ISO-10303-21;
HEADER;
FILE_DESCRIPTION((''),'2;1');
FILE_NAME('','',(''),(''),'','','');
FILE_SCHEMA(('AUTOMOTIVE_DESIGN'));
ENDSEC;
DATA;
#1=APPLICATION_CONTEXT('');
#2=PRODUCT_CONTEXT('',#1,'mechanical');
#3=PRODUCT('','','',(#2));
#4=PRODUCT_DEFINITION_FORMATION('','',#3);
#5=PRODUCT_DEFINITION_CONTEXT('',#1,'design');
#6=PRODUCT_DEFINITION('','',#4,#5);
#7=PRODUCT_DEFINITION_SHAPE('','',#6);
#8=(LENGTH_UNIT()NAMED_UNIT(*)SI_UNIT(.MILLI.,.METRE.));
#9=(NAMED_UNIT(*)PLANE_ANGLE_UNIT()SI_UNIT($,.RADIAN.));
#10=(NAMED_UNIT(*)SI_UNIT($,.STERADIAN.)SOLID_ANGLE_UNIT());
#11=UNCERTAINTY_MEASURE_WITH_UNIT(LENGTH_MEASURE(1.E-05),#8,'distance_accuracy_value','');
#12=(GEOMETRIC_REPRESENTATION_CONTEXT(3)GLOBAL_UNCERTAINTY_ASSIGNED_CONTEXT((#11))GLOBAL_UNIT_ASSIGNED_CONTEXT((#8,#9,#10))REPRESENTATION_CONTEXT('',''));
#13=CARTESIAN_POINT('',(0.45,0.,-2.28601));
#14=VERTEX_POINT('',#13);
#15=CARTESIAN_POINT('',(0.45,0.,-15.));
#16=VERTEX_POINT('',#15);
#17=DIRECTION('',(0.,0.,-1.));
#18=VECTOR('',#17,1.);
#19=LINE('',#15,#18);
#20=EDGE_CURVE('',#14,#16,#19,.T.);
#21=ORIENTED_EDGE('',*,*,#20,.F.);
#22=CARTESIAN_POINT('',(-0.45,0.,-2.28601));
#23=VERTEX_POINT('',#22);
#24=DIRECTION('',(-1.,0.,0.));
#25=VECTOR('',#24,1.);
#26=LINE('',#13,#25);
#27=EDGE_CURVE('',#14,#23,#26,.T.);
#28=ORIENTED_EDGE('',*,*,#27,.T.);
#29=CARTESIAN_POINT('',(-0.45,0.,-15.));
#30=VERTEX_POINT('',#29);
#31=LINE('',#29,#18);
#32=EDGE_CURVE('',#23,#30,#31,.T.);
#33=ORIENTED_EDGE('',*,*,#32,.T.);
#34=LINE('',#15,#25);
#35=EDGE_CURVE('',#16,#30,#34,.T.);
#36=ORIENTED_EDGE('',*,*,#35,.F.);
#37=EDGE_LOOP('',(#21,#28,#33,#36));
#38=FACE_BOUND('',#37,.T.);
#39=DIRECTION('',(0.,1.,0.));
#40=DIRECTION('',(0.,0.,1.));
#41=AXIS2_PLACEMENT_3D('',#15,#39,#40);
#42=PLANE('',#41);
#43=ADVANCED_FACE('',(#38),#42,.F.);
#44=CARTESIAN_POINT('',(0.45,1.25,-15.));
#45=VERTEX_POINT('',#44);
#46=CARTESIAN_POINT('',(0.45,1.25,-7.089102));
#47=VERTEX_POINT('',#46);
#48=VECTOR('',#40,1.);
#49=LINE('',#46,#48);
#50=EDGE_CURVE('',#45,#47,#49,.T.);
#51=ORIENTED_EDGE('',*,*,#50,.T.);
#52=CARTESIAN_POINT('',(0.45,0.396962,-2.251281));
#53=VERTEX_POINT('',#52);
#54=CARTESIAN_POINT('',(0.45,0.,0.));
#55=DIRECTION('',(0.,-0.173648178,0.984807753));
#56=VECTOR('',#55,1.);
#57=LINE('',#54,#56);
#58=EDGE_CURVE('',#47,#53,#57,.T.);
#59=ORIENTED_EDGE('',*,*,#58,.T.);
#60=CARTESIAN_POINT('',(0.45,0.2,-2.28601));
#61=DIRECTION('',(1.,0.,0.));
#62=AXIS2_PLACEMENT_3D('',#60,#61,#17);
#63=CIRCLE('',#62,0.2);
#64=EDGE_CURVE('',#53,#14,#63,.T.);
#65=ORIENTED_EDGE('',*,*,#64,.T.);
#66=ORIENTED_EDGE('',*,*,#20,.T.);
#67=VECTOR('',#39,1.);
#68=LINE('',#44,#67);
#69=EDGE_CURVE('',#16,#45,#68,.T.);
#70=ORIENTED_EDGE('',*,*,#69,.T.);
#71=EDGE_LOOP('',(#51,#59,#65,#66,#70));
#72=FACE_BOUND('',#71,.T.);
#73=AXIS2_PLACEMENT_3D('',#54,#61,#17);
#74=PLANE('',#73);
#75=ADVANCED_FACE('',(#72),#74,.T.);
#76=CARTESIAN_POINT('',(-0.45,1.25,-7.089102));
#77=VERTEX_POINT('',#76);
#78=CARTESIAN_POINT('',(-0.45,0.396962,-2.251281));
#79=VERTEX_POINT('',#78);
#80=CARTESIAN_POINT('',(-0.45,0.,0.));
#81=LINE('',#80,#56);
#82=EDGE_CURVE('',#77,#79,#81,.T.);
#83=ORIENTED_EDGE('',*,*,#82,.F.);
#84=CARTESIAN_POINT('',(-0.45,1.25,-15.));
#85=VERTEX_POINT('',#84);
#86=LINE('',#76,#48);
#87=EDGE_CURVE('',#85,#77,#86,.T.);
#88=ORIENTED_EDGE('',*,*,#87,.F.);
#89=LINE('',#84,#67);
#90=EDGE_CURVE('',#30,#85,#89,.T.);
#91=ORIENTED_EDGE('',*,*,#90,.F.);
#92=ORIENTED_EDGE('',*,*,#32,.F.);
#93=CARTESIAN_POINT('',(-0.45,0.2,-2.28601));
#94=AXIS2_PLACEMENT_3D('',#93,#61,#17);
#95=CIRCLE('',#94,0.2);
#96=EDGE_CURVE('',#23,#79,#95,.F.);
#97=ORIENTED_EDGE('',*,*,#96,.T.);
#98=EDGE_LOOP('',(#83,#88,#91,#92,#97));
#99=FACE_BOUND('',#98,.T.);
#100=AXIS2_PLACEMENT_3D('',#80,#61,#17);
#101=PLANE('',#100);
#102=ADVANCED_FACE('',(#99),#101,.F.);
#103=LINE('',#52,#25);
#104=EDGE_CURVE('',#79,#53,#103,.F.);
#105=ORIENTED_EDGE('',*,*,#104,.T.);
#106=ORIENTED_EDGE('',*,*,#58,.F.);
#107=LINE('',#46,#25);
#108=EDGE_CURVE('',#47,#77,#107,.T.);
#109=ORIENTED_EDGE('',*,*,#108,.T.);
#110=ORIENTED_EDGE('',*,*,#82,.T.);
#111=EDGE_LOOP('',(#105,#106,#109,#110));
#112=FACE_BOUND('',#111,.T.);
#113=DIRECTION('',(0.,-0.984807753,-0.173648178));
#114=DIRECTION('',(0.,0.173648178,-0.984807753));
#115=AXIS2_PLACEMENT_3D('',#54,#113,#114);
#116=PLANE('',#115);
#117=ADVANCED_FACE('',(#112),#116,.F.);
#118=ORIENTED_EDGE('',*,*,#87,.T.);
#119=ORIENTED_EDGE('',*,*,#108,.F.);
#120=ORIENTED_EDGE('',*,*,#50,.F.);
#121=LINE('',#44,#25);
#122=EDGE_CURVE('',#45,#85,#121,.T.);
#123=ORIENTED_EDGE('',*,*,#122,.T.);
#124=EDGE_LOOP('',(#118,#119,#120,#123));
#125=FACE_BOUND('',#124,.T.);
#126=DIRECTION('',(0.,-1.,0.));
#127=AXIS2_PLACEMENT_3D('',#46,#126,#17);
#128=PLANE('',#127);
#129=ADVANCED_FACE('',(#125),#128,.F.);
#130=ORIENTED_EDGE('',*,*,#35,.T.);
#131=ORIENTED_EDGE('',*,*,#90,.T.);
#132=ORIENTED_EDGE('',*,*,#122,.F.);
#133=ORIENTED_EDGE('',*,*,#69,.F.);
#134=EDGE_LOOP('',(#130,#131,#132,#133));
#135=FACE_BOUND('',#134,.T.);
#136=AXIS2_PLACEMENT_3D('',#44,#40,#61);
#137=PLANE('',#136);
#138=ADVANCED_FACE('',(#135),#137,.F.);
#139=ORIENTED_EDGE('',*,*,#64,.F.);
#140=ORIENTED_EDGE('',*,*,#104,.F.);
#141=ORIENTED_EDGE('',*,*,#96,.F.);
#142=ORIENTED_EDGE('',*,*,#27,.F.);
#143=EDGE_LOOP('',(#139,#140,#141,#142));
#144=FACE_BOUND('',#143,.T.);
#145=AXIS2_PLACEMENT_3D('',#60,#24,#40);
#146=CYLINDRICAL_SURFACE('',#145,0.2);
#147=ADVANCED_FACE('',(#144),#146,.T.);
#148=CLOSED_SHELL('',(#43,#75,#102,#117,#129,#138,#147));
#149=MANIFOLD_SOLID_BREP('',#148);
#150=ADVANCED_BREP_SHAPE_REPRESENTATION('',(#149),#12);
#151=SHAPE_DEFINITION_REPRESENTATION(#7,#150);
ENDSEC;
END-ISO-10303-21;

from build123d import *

# Parameters (mm, degrees)
BOSS_EXTRUDE1_DEPTH = 0.45
FILLET1_R           = 0.2


with BuildPart() as part:
    # Sketch1 → Boss-Extrude1 (new, symmetric)
    with BuildSketch(Plane(origin=(0, 0, 0), x_dir=(0, 0, -1), z_dir=(1, 0, 0))):
        Polygon((0, 0), (7.089102275, 1.25), (15, 1.25), (15, 0), align=None)
    extrude(amount=BOSS_EXTRUDE1_DEPTH, both=True)

    # Fillet1
    fillet1_edges = [part.edges().sort_by_distance(p)[0] for p in [
        (0, 0, 0),
    ]]
    fillet(fillet1_edges, radius=FILLET1_R)


solid = part.part
